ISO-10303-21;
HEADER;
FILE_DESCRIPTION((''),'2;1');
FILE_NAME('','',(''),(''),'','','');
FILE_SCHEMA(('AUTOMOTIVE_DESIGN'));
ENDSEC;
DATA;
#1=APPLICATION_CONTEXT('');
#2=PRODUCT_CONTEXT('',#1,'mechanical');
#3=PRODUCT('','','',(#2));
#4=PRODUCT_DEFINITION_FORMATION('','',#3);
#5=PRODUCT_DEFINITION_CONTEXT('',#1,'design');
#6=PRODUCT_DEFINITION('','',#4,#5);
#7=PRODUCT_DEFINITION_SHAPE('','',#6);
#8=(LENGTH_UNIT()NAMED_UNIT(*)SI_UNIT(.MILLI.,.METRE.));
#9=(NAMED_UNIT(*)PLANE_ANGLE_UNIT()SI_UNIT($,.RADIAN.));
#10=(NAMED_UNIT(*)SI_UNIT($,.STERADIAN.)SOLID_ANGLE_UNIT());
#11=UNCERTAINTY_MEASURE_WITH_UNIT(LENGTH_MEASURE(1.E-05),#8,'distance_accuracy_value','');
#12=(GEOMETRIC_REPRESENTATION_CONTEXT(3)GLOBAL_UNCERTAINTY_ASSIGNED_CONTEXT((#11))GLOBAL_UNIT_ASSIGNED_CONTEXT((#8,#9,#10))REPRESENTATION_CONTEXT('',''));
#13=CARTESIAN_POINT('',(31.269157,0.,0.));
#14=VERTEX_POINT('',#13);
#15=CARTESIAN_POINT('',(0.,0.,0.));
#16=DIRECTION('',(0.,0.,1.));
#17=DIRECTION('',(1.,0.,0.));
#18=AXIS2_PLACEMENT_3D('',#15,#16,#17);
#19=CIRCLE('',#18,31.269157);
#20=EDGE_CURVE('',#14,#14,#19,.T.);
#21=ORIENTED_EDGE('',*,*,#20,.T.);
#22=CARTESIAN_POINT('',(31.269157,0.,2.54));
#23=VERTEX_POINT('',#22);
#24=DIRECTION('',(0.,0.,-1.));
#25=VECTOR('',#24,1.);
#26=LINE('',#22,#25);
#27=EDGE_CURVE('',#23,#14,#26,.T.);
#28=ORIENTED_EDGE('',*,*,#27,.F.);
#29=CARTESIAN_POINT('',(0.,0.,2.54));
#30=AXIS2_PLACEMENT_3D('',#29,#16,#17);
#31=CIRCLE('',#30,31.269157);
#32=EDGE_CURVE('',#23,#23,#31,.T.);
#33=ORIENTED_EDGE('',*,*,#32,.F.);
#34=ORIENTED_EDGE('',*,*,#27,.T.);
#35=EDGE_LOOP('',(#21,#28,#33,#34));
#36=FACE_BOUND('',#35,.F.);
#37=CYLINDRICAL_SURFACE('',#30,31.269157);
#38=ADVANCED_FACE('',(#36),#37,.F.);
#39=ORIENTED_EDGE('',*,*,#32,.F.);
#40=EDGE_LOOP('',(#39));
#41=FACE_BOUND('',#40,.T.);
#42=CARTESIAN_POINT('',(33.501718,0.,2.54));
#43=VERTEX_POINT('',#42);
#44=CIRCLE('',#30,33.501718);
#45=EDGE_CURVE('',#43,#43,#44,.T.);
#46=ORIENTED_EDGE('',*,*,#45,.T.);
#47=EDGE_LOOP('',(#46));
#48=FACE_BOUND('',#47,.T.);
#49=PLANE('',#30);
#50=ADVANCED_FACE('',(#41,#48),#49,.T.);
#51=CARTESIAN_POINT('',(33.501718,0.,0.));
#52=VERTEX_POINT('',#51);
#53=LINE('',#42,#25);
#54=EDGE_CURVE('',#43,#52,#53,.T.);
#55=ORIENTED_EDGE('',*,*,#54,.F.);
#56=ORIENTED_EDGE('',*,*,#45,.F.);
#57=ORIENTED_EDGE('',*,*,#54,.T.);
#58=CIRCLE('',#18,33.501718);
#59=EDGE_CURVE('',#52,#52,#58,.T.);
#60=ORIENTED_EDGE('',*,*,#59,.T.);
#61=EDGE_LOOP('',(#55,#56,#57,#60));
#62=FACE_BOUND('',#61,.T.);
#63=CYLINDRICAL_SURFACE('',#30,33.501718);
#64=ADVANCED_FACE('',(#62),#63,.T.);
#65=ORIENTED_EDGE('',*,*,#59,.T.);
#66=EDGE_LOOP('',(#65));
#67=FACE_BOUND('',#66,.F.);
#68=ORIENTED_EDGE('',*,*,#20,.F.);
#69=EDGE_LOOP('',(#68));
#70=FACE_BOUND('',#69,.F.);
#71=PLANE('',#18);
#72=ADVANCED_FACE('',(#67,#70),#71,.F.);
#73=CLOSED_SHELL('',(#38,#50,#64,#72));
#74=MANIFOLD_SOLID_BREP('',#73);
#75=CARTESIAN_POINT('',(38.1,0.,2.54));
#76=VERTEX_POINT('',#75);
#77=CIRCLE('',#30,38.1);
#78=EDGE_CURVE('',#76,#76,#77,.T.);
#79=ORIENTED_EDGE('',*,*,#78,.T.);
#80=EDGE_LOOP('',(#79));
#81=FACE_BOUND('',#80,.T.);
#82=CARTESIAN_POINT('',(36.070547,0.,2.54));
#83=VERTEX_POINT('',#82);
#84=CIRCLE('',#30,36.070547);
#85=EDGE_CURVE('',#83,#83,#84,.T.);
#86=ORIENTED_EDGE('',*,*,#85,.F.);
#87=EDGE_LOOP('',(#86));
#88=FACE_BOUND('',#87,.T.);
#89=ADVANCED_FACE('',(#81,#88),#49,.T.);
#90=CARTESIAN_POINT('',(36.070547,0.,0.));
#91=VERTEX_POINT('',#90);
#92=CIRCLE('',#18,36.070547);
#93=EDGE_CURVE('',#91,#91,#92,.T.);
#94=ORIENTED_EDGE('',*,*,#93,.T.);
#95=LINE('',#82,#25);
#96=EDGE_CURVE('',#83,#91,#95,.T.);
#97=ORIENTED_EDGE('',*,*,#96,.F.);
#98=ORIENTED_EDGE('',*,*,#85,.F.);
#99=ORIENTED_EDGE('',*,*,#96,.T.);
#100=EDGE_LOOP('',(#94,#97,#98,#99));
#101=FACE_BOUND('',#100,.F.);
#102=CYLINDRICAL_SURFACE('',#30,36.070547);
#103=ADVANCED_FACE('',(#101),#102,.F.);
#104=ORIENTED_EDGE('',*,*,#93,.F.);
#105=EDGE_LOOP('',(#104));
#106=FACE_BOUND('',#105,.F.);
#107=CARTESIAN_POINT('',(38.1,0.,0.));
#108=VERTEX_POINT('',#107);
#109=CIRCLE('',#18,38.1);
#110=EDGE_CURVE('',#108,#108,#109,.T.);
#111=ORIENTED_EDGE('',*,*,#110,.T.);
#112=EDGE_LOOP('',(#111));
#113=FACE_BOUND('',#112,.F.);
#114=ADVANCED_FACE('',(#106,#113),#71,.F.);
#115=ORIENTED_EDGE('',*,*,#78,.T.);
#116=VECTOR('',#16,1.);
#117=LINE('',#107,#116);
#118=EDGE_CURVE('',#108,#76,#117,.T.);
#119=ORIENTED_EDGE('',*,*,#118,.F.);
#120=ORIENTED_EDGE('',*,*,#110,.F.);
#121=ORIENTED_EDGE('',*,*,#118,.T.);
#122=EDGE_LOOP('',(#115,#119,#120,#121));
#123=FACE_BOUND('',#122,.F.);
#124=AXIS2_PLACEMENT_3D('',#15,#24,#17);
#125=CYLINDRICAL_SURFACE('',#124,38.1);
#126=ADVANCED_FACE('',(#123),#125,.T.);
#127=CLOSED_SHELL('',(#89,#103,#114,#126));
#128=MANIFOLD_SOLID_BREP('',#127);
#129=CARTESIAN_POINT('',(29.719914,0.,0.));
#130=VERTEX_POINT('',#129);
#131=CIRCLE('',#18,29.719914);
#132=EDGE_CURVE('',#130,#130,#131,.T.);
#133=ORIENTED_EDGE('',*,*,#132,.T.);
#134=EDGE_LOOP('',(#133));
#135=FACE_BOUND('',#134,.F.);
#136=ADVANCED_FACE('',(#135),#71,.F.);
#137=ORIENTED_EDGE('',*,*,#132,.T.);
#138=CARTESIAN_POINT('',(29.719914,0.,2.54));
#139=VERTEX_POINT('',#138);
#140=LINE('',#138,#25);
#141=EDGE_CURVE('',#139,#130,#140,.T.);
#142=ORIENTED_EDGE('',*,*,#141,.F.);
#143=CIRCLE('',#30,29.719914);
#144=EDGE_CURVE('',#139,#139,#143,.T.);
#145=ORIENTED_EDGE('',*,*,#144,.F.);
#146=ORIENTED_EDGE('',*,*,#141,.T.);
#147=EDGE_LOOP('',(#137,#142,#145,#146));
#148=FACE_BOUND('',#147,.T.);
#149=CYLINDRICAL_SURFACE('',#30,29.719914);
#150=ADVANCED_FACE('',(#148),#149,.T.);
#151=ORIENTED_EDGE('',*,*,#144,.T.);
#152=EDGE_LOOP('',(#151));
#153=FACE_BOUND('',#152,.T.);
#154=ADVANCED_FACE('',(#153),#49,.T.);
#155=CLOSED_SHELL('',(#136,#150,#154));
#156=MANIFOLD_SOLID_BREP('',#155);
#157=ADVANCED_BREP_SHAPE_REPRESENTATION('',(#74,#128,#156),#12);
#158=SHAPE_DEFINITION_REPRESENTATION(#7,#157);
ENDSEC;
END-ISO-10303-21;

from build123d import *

# Parameters (mm, degrees)
F0_R     = 38.1
F1_DEPTH = 2.54
F2_R     = 36.070547
F2_R_2   = 33.501718
F3_DEPTH = 25.4
F4_R     = 31.269157
F4_R_2   = 29.719914
F5_DEPTH = 25.4


with BuildPart() as f1:
    # F0 (on Top) → F1 (new body)
    with BuildSketch(Plane.XY):
        Circle(F0_R)
    extrude(amount=F1_DEPTH)

    # F2 (on face) → F3 (cut)
    with BuildSketch(Plane.XY.offset(2.54)):
        Circle(F2_R)
        Circle(F2_R_2, mode=Mode.SUBTRACT)
    extrude(amount=-F3_DEPTH, mode=Mode.SUBTRACT)

    # F4 (on face) → F5 (cut)
    with BuildSketch(Plane.XY.offset(2.54)):
        Circle(F4_R)
        Circle(F4_R_2, mode=Mode.SUBTRACT)
    extrude(amount=-F5_DEPTH, mode=Mode.SUBTRACT)


solid = f1.part
